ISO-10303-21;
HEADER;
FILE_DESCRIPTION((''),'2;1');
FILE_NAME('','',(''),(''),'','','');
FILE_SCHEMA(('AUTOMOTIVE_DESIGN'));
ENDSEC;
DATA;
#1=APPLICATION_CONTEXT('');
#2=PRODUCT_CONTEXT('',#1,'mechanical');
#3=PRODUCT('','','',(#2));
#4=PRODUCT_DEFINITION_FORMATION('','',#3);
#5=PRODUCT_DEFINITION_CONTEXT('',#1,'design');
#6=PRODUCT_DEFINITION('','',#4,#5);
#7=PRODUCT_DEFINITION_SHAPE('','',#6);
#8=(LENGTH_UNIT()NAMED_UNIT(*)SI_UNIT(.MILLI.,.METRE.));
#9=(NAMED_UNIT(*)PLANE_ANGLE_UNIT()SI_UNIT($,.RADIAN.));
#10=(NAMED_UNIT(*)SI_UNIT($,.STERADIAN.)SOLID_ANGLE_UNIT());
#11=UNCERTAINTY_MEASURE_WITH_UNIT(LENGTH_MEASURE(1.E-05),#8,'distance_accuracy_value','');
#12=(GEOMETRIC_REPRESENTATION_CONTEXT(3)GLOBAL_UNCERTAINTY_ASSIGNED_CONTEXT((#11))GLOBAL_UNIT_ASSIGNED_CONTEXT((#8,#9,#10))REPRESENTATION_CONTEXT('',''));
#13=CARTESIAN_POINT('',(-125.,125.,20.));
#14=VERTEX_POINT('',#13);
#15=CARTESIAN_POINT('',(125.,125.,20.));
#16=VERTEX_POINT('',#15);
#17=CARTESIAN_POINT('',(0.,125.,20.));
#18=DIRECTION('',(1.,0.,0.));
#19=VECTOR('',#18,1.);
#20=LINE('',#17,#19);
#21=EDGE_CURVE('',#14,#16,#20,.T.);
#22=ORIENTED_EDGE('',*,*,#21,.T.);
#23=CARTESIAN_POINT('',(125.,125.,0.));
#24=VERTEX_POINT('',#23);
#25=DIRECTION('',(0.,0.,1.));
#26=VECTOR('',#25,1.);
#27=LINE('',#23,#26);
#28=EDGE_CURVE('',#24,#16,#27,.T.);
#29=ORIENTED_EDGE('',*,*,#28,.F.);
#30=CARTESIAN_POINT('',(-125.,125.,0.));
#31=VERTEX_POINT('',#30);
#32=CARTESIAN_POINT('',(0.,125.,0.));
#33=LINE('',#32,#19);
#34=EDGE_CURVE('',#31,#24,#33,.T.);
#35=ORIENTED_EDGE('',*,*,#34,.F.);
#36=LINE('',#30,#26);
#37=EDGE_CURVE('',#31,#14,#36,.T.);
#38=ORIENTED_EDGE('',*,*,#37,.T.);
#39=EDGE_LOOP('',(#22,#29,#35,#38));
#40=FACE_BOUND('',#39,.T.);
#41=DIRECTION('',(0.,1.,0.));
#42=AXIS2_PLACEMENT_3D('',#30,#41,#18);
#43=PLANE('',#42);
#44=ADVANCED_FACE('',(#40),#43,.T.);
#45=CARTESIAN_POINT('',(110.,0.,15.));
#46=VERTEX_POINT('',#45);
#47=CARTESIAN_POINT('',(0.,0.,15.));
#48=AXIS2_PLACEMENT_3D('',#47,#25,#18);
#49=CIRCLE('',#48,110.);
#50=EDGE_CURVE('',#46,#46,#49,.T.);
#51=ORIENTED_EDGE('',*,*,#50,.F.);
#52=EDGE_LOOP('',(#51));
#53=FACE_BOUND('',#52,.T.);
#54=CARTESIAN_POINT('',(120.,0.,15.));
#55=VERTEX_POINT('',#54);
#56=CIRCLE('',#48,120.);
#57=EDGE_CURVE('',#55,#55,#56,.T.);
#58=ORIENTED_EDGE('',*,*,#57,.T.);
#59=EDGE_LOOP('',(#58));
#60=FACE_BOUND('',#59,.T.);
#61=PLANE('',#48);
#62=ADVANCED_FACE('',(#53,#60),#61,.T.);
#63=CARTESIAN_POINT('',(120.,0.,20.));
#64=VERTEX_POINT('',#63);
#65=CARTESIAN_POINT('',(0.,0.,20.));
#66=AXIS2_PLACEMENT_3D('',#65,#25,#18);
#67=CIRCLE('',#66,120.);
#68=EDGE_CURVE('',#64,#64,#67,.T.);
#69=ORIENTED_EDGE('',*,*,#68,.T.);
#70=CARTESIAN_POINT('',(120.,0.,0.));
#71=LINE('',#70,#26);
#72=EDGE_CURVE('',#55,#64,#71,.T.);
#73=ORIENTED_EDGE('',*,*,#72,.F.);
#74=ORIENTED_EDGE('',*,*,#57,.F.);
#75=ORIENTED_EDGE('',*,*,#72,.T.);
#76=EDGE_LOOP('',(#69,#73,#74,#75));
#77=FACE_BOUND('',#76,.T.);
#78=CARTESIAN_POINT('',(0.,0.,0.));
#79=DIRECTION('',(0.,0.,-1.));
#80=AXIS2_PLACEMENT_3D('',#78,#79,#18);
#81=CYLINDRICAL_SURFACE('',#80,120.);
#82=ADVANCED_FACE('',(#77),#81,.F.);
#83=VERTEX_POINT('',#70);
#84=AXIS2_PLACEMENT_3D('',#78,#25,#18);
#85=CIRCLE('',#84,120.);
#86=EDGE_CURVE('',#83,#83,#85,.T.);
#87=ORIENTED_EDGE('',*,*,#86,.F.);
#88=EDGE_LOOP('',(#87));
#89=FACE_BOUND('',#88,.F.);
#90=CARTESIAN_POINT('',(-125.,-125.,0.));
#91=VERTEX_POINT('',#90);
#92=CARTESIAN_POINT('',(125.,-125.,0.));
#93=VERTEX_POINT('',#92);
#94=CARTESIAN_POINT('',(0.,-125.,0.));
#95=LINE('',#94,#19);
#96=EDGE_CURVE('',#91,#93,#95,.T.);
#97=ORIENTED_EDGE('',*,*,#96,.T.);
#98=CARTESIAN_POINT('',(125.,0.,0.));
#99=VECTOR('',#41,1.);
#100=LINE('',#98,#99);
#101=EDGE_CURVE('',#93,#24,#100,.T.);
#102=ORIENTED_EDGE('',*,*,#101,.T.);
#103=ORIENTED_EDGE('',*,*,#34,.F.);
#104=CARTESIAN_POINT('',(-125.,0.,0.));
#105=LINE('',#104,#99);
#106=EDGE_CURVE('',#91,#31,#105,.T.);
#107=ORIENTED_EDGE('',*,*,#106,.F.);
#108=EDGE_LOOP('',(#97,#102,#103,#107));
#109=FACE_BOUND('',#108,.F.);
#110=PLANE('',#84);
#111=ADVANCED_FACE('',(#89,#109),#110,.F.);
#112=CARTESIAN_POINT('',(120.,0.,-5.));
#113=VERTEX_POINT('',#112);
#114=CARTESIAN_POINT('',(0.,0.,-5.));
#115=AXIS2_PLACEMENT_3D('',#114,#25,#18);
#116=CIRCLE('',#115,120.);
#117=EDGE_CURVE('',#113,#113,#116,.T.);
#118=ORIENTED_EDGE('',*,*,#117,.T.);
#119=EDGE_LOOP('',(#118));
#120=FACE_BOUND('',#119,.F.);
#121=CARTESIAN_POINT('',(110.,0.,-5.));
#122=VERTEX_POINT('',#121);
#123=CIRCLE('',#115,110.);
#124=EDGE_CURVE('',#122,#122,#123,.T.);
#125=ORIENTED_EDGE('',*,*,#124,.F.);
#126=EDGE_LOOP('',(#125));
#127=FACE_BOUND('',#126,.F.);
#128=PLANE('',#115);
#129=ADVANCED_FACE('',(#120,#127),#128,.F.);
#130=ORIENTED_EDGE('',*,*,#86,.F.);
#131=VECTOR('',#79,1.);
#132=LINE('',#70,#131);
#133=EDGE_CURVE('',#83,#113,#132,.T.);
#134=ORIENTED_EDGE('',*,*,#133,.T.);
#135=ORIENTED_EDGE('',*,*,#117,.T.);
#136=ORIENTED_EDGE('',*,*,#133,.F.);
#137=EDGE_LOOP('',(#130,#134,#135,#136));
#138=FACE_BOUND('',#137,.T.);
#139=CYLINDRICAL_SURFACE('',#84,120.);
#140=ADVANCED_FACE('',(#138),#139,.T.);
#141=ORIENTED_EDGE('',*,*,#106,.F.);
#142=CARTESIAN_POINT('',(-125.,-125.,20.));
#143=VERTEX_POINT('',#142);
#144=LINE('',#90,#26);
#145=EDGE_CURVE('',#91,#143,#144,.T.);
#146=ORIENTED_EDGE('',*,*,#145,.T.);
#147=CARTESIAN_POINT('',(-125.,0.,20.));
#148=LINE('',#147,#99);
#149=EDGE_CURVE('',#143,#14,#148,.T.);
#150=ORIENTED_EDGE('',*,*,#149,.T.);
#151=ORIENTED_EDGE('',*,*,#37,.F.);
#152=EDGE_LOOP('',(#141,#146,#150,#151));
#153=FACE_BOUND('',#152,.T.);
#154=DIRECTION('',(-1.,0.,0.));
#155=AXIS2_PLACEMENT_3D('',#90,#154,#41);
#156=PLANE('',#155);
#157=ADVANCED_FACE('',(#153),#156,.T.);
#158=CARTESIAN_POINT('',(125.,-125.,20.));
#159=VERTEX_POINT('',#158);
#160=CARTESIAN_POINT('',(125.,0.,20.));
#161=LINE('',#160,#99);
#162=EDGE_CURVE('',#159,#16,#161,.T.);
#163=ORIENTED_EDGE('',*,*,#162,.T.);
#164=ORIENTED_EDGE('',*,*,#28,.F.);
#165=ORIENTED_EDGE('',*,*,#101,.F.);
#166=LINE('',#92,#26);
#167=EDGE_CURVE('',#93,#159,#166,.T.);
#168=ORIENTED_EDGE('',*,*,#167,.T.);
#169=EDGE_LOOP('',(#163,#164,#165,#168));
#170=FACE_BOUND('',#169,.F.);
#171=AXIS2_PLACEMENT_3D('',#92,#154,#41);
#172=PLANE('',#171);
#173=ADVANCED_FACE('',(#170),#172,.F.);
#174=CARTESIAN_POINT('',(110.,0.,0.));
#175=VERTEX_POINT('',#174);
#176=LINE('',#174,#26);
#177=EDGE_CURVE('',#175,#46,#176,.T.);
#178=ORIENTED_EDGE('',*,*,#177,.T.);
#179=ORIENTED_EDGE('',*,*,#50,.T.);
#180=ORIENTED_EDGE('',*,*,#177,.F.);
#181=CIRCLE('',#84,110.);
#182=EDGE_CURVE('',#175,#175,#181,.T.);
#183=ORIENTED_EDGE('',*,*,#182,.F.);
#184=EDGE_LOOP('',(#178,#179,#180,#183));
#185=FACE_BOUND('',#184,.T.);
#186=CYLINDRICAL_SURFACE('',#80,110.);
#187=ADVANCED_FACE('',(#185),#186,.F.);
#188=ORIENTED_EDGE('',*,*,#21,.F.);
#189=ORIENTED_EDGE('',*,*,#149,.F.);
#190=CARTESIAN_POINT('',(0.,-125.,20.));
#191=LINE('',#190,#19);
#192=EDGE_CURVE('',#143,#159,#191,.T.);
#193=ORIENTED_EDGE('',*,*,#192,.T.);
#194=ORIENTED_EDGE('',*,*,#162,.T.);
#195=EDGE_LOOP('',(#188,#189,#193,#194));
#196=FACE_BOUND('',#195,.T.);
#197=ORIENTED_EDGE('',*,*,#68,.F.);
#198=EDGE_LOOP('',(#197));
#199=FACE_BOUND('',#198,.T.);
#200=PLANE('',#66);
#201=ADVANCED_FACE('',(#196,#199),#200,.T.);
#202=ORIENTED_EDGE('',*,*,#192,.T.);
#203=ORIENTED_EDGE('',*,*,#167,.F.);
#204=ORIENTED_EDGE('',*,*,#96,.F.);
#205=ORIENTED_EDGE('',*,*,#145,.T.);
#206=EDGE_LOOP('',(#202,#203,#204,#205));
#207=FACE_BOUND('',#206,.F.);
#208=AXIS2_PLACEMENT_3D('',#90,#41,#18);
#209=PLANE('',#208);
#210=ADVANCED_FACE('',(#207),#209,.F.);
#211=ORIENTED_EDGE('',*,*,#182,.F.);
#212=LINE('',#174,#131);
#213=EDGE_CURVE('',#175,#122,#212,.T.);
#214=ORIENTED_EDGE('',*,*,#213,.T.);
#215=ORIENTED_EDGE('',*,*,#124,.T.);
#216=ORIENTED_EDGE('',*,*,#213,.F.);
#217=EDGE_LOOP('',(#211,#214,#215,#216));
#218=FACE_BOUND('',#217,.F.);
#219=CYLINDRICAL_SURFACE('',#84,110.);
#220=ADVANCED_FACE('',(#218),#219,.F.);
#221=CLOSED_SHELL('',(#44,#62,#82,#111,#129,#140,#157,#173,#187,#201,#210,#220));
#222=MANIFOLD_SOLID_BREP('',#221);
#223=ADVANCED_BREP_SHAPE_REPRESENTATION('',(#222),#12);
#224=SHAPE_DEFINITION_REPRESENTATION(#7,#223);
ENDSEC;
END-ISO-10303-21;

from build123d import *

# Parameters (mm, degrees)
F0_W          = 250
F0_H          = 250
F0_R          = 120
F1_DEPTH      = 20
F0_R_2        = 110
F2_DEPTH      = 15
F2_DEPTH_BACK = 5


with BuildPart() as f1:
    # F0 (on Top) → F1 (new body)
    with BuildSketch(Plane.XY):
        Rectangle(F0_W, F0_H)
        Circle(F0_R, mode=Mode.SUBTRACT)
    extrude(amount=F1_DEPTH)

    # F0 (on Top) → F2 (join, two sides)
    with BuildSketch(Plane.XY) as f2_sk:
        Circle(F0_R)
        Circle(F0_R_2, mode=Mode.SUBTRACT)
    extrude(amount=F2_DEPTH)
    extrude(f2_sk.sketch, amount=-F2_DEPTH_BACK)


solid = f1.part
